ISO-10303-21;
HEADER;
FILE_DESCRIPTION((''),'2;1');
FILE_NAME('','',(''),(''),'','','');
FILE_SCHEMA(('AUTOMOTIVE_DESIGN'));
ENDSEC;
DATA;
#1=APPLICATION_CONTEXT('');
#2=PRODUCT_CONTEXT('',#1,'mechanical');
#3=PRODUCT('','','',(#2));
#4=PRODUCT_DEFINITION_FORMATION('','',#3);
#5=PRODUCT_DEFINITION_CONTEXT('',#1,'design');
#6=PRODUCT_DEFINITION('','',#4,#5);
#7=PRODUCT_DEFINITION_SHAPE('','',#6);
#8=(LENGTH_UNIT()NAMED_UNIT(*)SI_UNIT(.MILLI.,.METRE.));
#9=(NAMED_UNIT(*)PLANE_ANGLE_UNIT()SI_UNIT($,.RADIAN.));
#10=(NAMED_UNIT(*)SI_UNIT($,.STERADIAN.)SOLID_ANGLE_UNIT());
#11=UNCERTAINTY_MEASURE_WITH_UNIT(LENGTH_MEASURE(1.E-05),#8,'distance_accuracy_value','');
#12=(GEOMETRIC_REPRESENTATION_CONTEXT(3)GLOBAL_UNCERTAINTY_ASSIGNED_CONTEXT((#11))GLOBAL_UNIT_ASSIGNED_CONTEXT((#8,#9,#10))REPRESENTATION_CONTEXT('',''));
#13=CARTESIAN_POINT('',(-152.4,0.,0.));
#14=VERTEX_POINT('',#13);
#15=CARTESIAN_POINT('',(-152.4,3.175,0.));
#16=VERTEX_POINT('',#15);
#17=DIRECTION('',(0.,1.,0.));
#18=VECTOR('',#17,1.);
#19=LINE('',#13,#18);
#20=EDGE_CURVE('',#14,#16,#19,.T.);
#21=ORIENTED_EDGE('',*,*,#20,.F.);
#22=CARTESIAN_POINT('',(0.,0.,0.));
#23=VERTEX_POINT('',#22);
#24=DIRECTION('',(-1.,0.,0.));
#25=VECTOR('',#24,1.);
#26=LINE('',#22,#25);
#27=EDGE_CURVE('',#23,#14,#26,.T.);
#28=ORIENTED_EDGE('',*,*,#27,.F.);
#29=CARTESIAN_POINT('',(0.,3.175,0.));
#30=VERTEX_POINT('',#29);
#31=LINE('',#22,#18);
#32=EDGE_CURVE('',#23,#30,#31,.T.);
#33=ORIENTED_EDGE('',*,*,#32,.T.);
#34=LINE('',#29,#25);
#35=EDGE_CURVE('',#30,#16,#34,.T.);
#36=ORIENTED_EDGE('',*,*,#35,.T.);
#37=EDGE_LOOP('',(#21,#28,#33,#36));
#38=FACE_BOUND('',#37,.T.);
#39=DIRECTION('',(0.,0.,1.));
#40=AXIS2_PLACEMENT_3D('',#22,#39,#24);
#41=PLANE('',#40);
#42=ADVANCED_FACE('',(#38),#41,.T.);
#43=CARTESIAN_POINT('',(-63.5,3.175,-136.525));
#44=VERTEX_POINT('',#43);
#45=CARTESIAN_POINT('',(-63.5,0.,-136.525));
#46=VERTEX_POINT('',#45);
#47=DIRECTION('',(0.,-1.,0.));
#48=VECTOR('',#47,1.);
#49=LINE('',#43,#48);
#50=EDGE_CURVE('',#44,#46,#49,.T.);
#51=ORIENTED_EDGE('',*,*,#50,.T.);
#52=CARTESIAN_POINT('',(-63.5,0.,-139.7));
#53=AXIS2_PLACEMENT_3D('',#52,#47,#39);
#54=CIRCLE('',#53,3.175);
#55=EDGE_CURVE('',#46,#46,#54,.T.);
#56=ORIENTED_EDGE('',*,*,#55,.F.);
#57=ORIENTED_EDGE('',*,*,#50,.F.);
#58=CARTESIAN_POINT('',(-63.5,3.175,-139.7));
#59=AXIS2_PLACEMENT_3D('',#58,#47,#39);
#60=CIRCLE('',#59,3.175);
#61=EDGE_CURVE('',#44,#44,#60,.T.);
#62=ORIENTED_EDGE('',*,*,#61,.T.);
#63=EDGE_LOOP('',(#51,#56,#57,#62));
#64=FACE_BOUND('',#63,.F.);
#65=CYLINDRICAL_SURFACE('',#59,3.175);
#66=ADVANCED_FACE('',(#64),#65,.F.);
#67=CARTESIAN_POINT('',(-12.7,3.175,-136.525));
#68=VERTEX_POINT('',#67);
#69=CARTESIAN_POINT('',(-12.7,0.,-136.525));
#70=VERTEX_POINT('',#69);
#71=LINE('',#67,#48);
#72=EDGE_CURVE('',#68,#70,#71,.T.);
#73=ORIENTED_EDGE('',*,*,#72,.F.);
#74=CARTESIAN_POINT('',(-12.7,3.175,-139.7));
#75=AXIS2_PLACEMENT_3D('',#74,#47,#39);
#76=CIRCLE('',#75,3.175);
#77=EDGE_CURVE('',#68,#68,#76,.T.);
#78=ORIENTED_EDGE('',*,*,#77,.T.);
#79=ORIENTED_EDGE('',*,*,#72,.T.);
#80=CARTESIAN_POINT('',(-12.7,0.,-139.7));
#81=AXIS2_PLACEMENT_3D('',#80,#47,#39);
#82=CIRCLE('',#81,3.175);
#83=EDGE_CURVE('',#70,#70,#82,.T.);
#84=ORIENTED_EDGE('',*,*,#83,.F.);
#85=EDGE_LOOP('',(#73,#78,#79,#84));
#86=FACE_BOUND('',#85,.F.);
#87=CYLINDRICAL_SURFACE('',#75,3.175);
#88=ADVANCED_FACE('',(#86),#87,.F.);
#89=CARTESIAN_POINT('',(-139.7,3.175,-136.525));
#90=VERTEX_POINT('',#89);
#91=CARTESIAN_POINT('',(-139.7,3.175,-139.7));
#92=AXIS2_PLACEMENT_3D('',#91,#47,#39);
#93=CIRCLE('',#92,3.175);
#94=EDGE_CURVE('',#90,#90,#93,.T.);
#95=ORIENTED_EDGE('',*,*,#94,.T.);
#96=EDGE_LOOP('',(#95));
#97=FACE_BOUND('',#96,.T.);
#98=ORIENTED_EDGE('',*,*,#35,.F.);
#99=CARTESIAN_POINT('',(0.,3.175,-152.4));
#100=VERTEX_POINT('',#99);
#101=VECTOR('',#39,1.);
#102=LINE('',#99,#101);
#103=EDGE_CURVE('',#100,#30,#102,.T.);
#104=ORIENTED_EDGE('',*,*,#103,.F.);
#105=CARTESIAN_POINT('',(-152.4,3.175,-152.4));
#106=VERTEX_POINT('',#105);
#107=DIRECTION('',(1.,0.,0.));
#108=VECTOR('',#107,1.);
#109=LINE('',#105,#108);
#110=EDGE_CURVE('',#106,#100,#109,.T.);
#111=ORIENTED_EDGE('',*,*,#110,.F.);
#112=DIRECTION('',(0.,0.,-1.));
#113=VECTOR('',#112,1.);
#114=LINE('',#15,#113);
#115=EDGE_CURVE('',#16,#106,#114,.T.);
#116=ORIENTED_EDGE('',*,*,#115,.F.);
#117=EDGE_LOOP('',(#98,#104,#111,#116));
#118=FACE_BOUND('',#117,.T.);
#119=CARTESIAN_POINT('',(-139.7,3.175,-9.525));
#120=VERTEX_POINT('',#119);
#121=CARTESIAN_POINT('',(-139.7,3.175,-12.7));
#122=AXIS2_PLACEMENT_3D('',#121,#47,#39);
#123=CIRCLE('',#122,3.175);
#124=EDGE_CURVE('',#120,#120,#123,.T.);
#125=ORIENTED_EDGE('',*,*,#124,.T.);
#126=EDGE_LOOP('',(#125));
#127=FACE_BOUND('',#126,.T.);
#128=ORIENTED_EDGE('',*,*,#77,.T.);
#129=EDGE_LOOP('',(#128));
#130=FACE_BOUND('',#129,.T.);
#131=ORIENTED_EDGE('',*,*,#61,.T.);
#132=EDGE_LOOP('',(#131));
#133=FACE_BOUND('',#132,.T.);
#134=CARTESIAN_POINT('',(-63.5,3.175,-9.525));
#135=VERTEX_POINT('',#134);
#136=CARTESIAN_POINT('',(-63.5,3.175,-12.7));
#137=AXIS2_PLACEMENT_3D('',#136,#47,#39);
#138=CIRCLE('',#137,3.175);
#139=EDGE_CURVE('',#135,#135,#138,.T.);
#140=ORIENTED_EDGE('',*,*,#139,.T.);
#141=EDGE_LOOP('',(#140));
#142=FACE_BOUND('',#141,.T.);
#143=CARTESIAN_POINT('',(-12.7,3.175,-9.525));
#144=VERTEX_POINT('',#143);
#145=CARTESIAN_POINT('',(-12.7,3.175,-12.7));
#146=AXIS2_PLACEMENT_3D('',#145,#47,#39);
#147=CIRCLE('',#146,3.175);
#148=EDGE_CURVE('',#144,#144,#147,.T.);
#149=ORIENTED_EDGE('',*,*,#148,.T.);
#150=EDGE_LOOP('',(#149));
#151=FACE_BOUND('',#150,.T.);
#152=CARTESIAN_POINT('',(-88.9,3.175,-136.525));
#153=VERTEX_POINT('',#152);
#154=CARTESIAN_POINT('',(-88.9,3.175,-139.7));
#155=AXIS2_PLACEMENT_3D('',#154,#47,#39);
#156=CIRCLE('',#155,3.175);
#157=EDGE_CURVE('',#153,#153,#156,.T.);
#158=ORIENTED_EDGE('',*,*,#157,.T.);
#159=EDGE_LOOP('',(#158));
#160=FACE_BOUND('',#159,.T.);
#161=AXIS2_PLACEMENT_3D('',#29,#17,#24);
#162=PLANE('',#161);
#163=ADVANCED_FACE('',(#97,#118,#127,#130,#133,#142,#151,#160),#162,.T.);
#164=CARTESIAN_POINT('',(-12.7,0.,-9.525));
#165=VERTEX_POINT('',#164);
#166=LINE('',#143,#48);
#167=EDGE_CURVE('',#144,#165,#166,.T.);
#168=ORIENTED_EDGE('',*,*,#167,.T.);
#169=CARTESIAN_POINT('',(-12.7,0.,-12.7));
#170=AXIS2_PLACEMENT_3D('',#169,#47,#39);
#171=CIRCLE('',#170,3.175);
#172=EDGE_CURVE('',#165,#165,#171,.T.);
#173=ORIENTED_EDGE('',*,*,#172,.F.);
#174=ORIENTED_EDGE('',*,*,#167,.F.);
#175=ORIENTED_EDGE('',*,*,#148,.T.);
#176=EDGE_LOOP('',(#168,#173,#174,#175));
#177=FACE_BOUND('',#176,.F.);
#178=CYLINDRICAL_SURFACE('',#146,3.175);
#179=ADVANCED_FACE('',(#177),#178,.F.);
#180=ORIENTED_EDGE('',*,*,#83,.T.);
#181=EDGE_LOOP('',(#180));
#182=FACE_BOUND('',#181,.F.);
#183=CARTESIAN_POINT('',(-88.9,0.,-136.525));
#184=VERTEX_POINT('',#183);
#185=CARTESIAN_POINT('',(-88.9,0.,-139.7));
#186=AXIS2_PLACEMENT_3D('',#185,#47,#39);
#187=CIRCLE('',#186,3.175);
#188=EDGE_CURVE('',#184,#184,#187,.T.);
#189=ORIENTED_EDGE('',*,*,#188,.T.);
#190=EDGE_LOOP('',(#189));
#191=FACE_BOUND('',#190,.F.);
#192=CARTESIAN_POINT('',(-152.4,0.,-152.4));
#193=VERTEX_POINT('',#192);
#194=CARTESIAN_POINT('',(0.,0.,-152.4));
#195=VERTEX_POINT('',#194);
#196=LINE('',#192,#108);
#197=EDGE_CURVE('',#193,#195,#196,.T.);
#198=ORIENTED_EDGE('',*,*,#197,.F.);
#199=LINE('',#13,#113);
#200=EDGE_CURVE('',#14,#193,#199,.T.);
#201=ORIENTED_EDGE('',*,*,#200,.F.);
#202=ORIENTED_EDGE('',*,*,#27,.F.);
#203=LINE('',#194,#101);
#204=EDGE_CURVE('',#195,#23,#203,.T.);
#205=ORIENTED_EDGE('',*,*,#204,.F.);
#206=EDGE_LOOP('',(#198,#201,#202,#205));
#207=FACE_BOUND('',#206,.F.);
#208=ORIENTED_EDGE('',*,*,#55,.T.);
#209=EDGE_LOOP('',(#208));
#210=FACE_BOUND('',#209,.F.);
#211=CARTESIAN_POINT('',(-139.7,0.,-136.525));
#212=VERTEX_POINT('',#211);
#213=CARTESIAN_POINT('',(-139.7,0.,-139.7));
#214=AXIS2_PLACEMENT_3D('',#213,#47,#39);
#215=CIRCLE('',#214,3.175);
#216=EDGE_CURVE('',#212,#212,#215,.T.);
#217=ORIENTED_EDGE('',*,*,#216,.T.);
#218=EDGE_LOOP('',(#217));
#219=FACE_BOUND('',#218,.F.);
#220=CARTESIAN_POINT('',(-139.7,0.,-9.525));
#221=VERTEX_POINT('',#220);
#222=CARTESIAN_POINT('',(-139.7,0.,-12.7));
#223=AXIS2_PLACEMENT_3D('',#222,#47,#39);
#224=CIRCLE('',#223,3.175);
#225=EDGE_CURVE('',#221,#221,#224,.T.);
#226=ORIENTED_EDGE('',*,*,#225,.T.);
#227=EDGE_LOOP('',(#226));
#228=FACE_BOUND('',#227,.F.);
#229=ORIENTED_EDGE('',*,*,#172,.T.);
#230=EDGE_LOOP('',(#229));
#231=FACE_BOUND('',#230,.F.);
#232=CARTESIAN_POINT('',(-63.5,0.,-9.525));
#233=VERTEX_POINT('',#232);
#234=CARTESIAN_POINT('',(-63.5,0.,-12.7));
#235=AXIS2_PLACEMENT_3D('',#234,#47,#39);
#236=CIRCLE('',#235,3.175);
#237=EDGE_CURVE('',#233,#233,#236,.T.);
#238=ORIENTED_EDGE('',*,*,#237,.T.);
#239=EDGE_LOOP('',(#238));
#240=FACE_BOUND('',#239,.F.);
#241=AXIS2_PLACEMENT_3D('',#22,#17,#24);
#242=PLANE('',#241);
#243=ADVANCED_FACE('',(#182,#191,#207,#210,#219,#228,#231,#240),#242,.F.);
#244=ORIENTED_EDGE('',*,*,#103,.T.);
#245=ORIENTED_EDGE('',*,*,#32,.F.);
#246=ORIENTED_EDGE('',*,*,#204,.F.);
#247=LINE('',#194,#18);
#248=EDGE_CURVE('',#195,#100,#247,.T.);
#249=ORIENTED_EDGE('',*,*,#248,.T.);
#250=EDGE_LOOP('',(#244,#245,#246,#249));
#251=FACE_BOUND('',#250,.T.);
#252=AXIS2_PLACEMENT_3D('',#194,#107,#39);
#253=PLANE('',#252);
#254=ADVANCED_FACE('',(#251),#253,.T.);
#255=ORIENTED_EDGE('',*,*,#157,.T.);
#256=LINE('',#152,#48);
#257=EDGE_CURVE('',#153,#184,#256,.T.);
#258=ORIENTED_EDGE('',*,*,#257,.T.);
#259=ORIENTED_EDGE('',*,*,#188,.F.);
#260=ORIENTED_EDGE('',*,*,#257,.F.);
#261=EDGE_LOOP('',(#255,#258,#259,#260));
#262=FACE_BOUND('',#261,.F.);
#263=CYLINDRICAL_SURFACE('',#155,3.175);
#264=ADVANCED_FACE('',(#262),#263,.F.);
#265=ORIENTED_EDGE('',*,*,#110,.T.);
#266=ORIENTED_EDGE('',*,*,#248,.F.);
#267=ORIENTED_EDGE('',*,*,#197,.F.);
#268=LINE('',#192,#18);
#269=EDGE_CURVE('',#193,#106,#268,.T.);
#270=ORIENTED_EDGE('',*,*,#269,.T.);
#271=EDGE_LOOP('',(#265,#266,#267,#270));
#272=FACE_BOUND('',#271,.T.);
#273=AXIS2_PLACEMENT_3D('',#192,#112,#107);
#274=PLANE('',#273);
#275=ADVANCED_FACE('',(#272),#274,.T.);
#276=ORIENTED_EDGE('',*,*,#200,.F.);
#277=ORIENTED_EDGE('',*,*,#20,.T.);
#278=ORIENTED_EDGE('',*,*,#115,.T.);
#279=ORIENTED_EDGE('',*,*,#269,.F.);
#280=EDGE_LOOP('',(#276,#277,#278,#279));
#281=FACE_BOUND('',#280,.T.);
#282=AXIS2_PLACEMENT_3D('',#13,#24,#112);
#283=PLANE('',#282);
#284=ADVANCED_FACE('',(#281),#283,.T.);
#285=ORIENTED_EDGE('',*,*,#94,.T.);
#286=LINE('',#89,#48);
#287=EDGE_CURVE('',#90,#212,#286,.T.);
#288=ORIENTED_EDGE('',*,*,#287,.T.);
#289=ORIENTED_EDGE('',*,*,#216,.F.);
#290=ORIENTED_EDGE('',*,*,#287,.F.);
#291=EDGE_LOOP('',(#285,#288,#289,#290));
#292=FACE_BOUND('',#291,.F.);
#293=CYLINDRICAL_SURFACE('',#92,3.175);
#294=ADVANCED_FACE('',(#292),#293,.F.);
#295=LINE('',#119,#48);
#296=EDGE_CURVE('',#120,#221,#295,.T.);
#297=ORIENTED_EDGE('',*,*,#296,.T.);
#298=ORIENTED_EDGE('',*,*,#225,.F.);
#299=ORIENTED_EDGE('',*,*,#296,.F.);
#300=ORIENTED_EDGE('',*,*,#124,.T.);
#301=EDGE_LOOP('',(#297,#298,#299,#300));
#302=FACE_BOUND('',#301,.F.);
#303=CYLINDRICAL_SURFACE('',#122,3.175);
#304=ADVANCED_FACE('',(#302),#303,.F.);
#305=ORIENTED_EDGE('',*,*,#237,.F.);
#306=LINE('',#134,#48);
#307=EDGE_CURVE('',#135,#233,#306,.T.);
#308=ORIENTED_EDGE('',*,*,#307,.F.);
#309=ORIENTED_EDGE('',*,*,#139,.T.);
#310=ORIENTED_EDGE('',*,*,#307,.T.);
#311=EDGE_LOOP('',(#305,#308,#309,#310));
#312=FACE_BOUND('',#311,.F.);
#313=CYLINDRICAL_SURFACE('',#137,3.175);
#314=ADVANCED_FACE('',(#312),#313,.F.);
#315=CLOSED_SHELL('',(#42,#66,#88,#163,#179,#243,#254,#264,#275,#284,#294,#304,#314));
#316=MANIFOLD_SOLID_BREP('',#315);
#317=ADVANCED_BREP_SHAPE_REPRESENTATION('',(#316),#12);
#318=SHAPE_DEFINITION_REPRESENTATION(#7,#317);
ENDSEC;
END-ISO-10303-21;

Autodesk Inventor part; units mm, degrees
ref_plane "YZ Plane" through (0, 0, 0) normal (1, 0, 0) x (0, 1, 0)
ref_plane "XZ Plane" through (0, 0, 0) normal (0, 1, 0) x (-1, 0, 0)
ref_plane "XY Plane" through (0, 0, 0) normal (0, 0, 1) x (1, 0, 0)
sketch "Sketch1" plane through (0, 0, 0) normal (0, 1, 0) x (-1, 0, 0)
  line L0 (0, 0) -> (152.4, 0)
  line L1 (152.4, 0) -> (152.4, -152.4)
  line L2 (152.4, -152.4) -> (0, -152.4)
  line L3 (0, -152.4) -> (0, 0)
  dimension "d0" = 152.4
  dimension "d1" = 152.4
extrude "Extrusion1" add sketch "Sketch1" along normal blind 3.175
sketch "Sketch2" plane through (0, 3.175, 0) normal (0, 1, 0) x (1, 0, 0)
  line L0 (-152.4, 0) -> (0, 0) projected
  line L1 (0, 0) -> (0, 152.4) projected
  line L2 (0, 152.4) -> (-152.4, 152.4) projected
  line L3 (-152.4, 152.4) -> (-152.4, 0) projected
  point P0 (-139.7, 12.7)
  point P1 (-63.5, 12.7)
  point P2 (-12.7, 12.7)
  point P3 (-12.7, 139.7)
  point P4 (-63.5, 139.7)
  point P5 (-139.7, 139.7)
  dimension "d4" = 12.7
  dimension "d5" = 12.7
  dimension "d6" = 12.7
  dimension "d7" = 12.7
  dimension "d8" = 12.7
  dimension "d9" = 12.7
  dimension "d10" = 12.7
  dimension "d11" = 63.5
  dimension "d12" = 12.7
  dimension "d13" = 12.7
  dimension "d14" = 12.7
  dimension "d15" = 63.5
hole "Hole1" at (-139.7, 3.175, -12.7) at (-63.5, 3.175, -12.7) at (-12.7, 3.175, -12.7) at (-12.7, 3.175, -139.7) at (-63.5, 3.175, -139.7) at (-139.7, 3.175, -139.7) direction (0, -1, 0) diameter 6.35 end through all
sketch "Sketch3" plane through (0, 3.175, 0) normal (0, 1, 0) x (1, 0, 0)
  circle A0 centre (-139.7, 139.7) radius 3.175 projected
  line L0 (0, 152.4) -> (-152.4, 152.4) projected
  point P0 (-88.9, 139.7)
  dimension "d23" = 12.7
  dimension "d24" = 50.8
hole "Hole2" at (-88.9, 3.175, -139.7) direction (0, -1, 0) diameter 6.35 end through all
properties part number "pickup arm plate" material "Aluminum 6061"
